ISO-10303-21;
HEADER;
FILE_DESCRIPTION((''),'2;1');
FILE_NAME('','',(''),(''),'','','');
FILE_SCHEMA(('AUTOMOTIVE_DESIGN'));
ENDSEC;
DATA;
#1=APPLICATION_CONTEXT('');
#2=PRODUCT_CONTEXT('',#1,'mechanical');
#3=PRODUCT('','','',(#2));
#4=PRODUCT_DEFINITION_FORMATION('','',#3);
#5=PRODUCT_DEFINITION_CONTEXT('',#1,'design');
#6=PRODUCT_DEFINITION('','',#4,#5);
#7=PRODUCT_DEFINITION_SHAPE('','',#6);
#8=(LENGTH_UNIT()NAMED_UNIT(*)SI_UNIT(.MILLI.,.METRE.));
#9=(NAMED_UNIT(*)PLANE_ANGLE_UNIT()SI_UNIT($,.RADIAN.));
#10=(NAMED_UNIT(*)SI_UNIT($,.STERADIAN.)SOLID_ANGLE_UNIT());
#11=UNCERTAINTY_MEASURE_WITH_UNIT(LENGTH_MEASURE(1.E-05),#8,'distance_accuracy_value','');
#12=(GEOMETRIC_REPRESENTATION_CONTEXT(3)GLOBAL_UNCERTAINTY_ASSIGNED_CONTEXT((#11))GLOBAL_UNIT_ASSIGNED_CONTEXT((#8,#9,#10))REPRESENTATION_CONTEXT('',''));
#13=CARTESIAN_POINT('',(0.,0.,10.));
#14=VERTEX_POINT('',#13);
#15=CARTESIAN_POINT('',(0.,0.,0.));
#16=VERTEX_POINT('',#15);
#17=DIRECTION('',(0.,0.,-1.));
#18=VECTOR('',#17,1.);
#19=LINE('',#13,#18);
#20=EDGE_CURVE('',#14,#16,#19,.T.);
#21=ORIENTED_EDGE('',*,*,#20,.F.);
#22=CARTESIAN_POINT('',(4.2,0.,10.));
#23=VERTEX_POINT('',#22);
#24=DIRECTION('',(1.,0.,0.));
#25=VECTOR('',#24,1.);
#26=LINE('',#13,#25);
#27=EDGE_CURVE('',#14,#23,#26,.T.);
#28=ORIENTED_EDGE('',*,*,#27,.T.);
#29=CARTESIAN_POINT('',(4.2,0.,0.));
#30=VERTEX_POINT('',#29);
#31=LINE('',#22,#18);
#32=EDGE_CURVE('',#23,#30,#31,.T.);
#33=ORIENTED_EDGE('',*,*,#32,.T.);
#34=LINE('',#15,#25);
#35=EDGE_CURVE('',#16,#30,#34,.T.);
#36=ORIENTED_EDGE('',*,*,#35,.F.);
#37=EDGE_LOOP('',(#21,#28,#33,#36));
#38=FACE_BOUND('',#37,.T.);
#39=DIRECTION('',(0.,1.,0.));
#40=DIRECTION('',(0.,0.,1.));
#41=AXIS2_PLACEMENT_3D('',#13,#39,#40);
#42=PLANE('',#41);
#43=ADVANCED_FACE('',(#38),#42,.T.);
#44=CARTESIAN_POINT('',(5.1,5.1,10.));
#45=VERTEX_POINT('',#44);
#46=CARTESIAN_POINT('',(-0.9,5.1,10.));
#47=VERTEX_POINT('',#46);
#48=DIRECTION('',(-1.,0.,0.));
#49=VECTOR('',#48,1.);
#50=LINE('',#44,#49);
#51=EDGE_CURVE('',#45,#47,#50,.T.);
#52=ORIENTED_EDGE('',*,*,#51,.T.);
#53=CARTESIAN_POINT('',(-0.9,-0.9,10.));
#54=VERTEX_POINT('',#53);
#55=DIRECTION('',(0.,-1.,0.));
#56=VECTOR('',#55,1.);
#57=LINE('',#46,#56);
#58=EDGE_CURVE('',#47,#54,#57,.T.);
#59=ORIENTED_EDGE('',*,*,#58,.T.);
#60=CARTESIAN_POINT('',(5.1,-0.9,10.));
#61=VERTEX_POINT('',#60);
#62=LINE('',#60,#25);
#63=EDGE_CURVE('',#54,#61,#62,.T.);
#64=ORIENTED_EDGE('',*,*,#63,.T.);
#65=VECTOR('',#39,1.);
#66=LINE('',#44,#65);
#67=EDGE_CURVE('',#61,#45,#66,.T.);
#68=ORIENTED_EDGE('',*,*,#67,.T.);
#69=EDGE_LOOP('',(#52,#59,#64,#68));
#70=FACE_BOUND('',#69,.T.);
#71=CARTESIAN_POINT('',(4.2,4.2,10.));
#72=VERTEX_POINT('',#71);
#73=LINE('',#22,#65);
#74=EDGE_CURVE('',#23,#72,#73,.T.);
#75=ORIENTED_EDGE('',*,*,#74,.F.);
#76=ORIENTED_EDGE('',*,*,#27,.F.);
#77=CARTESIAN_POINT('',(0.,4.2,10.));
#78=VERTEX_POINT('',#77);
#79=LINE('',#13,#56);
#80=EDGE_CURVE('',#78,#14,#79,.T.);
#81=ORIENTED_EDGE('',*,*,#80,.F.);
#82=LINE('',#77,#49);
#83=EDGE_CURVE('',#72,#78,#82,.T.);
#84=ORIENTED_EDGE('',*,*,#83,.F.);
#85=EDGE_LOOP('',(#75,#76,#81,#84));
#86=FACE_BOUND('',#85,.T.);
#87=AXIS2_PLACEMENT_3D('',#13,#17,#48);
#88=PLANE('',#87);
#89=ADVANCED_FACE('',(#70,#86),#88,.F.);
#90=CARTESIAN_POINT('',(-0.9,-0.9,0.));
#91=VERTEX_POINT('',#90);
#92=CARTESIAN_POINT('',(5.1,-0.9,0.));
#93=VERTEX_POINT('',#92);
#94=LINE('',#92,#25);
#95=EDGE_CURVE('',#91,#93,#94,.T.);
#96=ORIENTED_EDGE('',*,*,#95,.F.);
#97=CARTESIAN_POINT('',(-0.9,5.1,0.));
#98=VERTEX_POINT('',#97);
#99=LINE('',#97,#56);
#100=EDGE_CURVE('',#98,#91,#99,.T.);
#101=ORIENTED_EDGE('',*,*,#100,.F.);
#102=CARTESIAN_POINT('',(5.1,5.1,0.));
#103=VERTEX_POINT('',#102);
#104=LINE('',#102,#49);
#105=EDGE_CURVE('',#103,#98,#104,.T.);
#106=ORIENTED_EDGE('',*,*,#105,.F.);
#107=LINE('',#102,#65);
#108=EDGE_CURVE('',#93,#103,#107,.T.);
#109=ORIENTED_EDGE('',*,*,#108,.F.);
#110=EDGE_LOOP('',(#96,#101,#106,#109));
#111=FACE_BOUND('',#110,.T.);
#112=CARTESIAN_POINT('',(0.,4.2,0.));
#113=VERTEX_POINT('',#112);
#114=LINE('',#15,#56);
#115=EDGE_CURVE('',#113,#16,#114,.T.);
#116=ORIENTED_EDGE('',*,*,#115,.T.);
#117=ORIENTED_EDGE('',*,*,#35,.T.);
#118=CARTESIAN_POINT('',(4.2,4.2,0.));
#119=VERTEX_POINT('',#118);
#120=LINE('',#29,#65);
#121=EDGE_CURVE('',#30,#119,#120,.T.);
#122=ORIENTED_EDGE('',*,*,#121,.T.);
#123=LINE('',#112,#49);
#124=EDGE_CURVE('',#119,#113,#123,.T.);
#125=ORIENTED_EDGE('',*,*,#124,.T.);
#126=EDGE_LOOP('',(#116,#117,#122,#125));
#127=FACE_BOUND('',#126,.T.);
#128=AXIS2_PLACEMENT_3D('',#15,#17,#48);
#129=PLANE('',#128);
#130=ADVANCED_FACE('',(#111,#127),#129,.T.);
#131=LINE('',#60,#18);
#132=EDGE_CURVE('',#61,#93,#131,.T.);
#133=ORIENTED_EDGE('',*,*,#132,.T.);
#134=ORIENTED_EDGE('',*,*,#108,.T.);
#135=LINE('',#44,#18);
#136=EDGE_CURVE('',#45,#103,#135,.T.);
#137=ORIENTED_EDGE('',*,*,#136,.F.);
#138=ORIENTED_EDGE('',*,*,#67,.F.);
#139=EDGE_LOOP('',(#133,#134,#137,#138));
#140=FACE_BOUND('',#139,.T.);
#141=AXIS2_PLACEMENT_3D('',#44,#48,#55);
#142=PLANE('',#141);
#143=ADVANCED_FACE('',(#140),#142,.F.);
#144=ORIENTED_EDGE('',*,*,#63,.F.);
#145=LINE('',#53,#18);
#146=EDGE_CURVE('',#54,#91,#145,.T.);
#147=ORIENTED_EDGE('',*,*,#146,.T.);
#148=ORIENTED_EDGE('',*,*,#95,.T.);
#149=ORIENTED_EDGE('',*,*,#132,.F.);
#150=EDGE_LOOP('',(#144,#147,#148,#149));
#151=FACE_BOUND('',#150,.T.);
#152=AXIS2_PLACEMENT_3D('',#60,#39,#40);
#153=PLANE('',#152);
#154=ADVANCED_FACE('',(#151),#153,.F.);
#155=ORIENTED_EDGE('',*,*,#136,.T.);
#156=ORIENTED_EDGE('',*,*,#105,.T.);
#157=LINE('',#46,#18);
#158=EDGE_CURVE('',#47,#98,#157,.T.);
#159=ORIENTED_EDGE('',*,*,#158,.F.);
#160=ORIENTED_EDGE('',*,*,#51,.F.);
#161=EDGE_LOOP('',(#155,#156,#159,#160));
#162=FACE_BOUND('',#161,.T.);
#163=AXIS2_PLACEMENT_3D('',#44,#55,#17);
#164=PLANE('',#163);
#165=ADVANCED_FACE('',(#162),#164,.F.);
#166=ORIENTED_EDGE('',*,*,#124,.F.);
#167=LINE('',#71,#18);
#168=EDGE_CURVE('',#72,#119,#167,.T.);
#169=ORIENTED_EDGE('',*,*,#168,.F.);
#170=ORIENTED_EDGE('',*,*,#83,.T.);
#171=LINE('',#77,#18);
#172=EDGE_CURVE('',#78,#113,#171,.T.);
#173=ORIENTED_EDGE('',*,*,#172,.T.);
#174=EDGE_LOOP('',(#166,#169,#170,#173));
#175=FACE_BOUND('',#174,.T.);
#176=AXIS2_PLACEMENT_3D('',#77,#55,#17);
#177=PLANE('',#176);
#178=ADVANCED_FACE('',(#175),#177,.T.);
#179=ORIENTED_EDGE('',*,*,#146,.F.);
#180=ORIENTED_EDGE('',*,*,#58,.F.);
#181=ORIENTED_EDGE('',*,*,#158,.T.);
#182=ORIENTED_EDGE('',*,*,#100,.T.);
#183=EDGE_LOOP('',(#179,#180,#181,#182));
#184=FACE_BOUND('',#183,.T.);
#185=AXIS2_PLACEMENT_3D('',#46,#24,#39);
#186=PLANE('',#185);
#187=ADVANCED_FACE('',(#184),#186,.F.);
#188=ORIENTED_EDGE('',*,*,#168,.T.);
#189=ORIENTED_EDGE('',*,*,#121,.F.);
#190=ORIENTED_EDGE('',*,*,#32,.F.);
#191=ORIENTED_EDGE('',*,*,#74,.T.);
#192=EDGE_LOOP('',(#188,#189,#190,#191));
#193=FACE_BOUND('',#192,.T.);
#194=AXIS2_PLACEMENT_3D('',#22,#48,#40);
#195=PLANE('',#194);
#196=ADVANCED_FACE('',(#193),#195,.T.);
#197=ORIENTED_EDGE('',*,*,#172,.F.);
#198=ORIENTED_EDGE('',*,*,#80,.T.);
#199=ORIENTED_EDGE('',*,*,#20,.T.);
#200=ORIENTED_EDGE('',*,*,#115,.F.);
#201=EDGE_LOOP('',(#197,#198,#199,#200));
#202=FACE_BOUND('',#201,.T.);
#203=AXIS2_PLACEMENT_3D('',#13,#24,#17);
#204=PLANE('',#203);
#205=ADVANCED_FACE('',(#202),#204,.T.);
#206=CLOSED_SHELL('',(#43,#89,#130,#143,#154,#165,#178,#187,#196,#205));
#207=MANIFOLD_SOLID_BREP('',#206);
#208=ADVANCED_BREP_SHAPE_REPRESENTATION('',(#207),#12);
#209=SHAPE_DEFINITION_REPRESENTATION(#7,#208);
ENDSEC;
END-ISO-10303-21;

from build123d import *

# Parameters (mm, degrees)
SKETCH1_W           = 6
SKETCH1_H           = 6
SKETCH1_W_2         = 4.2
SKETCH1_H_2         = 4.2
BOSS_EXTRUDE1_DEPTH = 10


with BuildPart() as part:
    # Sketch1 → Boss-Extrude1 (new body)
    with BuildSketch(Plane.XY):
        with Locations((2.1, 2.1)):
            Rectangle(SKETCH1_W, SKETCH1_H)
        with Locations((2.1, 2.1)):
            Rectangle(SKETCH1_W_2, SKETCH1_H_2, mode=Mode.SUBTRACT)
    extrude(amount=BOSS_EXTRUDE1_DEPTH)


solid = part.part
